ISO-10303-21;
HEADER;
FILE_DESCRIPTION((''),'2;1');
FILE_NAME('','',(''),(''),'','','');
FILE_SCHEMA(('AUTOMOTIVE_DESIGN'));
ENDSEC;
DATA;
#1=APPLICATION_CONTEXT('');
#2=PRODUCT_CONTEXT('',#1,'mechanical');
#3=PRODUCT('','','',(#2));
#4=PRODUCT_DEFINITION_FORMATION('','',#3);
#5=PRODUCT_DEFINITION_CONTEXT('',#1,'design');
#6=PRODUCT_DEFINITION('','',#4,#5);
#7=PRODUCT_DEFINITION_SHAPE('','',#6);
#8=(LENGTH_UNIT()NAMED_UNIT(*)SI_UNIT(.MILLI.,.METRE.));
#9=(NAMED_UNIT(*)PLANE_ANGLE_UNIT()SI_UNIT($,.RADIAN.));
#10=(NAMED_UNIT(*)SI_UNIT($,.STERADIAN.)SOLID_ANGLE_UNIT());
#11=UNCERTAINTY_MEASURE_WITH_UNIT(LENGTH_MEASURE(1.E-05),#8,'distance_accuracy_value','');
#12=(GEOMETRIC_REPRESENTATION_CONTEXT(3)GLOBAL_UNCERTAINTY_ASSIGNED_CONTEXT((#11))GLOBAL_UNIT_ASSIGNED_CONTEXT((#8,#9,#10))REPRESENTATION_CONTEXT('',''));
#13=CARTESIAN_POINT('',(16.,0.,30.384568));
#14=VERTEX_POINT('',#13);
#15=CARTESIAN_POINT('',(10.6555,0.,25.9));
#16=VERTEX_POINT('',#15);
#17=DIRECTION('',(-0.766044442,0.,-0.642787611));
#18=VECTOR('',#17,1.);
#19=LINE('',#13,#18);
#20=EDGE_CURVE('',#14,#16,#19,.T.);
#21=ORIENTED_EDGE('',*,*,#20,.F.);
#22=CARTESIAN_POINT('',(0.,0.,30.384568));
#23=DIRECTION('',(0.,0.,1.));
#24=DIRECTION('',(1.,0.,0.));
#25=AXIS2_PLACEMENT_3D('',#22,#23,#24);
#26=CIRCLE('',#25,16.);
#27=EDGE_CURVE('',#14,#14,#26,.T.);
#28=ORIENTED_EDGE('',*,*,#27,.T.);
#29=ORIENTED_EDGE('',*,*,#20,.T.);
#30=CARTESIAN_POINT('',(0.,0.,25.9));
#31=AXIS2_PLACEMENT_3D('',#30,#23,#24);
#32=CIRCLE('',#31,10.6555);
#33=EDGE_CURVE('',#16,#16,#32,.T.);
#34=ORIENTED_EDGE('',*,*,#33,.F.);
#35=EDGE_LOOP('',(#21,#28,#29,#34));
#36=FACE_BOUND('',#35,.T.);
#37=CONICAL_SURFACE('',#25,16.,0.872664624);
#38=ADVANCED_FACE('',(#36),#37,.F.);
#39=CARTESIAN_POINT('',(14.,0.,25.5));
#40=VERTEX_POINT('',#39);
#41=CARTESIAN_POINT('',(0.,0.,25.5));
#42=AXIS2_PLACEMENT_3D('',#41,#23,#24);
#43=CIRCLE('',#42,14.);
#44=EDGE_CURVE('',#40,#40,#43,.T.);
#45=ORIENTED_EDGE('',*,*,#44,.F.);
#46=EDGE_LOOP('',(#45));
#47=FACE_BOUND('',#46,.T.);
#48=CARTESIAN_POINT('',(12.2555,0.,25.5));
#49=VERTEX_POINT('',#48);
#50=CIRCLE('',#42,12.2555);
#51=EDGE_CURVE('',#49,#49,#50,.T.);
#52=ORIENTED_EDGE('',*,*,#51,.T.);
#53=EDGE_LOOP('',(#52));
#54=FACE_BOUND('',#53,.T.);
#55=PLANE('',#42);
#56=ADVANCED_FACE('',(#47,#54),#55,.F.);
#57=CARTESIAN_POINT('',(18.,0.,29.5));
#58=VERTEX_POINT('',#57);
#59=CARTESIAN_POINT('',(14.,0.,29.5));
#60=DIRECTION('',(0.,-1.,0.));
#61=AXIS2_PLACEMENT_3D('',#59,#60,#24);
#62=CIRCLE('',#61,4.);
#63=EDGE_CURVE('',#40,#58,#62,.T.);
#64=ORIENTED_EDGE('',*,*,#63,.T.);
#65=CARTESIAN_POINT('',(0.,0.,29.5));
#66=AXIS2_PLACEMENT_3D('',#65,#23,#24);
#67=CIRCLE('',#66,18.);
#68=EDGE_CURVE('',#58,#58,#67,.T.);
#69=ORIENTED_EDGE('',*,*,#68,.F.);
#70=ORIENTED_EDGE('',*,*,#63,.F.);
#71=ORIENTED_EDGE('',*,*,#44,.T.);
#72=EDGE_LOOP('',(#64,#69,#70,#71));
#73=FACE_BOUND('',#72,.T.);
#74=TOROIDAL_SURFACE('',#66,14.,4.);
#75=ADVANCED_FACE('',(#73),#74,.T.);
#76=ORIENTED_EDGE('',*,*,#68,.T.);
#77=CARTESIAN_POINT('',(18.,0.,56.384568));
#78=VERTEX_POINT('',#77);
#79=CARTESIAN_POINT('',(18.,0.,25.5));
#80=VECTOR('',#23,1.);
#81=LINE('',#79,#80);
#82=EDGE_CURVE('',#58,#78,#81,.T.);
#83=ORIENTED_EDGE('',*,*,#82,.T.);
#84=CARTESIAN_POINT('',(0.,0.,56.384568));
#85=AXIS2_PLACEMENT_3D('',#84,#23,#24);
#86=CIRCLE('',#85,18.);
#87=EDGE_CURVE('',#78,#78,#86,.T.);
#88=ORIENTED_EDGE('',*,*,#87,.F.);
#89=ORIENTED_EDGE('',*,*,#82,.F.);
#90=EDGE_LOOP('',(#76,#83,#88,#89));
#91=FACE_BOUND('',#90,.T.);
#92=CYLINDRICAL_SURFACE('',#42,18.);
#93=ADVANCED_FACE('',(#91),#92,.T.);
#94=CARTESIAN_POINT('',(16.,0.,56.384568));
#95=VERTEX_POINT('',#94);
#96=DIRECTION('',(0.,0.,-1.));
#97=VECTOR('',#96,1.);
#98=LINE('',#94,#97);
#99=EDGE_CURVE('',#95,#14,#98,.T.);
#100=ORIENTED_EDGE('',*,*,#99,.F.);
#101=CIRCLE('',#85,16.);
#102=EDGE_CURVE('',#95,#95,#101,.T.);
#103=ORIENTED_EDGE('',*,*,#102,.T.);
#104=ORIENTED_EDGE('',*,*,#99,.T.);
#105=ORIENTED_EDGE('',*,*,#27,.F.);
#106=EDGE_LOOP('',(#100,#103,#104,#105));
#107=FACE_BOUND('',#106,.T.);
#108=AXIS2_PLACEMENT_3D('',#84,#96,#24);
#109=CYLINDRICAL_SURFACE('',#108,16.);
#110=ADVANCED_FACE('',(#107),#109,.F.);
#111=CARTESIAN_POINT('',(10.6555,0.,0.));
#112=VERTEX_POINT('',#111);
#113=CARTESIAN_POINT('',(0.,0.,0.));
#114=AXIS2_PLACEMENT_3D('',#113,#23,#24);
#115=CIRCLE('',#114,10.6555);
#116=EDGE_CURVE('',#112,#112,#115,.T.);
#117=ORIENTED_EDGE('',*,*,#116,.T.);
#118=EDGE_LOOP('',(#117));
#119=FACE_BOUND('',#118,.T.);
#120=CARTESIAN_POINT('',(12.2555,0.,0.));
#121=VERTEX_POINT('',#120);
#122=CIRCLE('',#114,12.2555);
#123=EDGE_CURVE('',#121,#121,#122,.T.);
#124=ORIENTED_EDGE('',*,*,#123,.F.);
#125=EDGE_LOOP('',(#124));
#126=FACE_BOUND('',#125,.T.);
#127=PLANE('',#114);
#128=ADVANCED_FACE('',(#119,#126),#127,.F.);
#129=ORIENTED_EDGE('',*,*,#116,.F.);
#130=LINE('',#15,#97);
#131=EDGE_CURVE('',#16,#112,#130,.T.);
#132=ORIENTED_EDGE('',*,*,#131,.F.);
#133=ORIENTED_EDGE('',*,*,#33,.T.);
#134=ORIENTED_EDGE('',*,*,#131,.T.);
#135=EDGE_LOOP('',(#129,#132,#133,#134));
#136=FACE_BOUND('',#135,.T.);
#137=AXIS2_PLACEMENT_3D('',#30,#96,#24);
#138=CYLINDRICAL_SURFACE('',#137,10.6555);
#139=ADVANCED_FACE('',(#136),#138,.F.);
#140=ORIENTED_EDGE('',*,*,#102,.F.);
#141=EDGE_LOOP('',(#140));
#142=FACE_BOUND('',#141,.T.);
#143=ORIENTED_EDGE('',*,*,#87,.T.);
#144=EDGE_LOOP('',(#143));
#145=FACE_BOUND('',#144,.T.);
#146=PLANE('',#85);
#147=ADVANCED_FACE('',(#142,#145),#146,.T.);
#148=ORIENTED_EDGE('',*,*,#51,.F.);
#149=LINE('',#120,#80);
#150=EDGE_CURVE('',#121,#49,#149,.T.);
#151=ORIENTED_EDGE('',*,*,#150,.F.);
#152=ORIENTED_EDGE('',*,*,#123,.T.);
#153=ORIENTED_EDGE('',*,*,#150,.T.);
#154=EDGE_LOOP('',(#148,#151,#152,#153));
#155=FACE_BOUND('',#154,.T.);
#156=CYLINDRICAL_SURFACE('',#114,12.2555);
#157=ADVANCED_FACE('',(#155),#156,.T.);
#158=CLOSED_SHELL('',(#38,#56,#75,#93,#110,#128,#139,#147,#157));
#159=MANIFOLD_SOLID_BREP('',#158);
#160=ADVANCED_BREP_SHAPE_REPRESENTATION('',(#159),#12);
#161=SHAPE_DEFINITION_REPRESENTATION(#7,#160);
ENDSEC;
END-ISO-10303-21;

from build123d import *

# Parameters (mm, degrees)
F2_R = 4


with BuildPart() as f1:
    # F0 (on Front) → F1 (revolve)
    with BuildSketch(Plane.XZ):
        Polygon((10.6555, 25.9), (10.6555, 0), (12.2555, 0), (12.2555, 25.5), (18, 25.5), (18, 56.384568), (16, 56.384568), (16, 30.384568), align=None)
    revolve(axis=Axis((0, 0, 28.192284), (0, 0, 1)))

    # F2
    f2_edges = [f1.edges().sort_by_distance(p)[0] for p in [
        (-18, 0, 25.5),
    ]]
    fillet(f2_edges, radius=F2_R)


solid = f1.part
